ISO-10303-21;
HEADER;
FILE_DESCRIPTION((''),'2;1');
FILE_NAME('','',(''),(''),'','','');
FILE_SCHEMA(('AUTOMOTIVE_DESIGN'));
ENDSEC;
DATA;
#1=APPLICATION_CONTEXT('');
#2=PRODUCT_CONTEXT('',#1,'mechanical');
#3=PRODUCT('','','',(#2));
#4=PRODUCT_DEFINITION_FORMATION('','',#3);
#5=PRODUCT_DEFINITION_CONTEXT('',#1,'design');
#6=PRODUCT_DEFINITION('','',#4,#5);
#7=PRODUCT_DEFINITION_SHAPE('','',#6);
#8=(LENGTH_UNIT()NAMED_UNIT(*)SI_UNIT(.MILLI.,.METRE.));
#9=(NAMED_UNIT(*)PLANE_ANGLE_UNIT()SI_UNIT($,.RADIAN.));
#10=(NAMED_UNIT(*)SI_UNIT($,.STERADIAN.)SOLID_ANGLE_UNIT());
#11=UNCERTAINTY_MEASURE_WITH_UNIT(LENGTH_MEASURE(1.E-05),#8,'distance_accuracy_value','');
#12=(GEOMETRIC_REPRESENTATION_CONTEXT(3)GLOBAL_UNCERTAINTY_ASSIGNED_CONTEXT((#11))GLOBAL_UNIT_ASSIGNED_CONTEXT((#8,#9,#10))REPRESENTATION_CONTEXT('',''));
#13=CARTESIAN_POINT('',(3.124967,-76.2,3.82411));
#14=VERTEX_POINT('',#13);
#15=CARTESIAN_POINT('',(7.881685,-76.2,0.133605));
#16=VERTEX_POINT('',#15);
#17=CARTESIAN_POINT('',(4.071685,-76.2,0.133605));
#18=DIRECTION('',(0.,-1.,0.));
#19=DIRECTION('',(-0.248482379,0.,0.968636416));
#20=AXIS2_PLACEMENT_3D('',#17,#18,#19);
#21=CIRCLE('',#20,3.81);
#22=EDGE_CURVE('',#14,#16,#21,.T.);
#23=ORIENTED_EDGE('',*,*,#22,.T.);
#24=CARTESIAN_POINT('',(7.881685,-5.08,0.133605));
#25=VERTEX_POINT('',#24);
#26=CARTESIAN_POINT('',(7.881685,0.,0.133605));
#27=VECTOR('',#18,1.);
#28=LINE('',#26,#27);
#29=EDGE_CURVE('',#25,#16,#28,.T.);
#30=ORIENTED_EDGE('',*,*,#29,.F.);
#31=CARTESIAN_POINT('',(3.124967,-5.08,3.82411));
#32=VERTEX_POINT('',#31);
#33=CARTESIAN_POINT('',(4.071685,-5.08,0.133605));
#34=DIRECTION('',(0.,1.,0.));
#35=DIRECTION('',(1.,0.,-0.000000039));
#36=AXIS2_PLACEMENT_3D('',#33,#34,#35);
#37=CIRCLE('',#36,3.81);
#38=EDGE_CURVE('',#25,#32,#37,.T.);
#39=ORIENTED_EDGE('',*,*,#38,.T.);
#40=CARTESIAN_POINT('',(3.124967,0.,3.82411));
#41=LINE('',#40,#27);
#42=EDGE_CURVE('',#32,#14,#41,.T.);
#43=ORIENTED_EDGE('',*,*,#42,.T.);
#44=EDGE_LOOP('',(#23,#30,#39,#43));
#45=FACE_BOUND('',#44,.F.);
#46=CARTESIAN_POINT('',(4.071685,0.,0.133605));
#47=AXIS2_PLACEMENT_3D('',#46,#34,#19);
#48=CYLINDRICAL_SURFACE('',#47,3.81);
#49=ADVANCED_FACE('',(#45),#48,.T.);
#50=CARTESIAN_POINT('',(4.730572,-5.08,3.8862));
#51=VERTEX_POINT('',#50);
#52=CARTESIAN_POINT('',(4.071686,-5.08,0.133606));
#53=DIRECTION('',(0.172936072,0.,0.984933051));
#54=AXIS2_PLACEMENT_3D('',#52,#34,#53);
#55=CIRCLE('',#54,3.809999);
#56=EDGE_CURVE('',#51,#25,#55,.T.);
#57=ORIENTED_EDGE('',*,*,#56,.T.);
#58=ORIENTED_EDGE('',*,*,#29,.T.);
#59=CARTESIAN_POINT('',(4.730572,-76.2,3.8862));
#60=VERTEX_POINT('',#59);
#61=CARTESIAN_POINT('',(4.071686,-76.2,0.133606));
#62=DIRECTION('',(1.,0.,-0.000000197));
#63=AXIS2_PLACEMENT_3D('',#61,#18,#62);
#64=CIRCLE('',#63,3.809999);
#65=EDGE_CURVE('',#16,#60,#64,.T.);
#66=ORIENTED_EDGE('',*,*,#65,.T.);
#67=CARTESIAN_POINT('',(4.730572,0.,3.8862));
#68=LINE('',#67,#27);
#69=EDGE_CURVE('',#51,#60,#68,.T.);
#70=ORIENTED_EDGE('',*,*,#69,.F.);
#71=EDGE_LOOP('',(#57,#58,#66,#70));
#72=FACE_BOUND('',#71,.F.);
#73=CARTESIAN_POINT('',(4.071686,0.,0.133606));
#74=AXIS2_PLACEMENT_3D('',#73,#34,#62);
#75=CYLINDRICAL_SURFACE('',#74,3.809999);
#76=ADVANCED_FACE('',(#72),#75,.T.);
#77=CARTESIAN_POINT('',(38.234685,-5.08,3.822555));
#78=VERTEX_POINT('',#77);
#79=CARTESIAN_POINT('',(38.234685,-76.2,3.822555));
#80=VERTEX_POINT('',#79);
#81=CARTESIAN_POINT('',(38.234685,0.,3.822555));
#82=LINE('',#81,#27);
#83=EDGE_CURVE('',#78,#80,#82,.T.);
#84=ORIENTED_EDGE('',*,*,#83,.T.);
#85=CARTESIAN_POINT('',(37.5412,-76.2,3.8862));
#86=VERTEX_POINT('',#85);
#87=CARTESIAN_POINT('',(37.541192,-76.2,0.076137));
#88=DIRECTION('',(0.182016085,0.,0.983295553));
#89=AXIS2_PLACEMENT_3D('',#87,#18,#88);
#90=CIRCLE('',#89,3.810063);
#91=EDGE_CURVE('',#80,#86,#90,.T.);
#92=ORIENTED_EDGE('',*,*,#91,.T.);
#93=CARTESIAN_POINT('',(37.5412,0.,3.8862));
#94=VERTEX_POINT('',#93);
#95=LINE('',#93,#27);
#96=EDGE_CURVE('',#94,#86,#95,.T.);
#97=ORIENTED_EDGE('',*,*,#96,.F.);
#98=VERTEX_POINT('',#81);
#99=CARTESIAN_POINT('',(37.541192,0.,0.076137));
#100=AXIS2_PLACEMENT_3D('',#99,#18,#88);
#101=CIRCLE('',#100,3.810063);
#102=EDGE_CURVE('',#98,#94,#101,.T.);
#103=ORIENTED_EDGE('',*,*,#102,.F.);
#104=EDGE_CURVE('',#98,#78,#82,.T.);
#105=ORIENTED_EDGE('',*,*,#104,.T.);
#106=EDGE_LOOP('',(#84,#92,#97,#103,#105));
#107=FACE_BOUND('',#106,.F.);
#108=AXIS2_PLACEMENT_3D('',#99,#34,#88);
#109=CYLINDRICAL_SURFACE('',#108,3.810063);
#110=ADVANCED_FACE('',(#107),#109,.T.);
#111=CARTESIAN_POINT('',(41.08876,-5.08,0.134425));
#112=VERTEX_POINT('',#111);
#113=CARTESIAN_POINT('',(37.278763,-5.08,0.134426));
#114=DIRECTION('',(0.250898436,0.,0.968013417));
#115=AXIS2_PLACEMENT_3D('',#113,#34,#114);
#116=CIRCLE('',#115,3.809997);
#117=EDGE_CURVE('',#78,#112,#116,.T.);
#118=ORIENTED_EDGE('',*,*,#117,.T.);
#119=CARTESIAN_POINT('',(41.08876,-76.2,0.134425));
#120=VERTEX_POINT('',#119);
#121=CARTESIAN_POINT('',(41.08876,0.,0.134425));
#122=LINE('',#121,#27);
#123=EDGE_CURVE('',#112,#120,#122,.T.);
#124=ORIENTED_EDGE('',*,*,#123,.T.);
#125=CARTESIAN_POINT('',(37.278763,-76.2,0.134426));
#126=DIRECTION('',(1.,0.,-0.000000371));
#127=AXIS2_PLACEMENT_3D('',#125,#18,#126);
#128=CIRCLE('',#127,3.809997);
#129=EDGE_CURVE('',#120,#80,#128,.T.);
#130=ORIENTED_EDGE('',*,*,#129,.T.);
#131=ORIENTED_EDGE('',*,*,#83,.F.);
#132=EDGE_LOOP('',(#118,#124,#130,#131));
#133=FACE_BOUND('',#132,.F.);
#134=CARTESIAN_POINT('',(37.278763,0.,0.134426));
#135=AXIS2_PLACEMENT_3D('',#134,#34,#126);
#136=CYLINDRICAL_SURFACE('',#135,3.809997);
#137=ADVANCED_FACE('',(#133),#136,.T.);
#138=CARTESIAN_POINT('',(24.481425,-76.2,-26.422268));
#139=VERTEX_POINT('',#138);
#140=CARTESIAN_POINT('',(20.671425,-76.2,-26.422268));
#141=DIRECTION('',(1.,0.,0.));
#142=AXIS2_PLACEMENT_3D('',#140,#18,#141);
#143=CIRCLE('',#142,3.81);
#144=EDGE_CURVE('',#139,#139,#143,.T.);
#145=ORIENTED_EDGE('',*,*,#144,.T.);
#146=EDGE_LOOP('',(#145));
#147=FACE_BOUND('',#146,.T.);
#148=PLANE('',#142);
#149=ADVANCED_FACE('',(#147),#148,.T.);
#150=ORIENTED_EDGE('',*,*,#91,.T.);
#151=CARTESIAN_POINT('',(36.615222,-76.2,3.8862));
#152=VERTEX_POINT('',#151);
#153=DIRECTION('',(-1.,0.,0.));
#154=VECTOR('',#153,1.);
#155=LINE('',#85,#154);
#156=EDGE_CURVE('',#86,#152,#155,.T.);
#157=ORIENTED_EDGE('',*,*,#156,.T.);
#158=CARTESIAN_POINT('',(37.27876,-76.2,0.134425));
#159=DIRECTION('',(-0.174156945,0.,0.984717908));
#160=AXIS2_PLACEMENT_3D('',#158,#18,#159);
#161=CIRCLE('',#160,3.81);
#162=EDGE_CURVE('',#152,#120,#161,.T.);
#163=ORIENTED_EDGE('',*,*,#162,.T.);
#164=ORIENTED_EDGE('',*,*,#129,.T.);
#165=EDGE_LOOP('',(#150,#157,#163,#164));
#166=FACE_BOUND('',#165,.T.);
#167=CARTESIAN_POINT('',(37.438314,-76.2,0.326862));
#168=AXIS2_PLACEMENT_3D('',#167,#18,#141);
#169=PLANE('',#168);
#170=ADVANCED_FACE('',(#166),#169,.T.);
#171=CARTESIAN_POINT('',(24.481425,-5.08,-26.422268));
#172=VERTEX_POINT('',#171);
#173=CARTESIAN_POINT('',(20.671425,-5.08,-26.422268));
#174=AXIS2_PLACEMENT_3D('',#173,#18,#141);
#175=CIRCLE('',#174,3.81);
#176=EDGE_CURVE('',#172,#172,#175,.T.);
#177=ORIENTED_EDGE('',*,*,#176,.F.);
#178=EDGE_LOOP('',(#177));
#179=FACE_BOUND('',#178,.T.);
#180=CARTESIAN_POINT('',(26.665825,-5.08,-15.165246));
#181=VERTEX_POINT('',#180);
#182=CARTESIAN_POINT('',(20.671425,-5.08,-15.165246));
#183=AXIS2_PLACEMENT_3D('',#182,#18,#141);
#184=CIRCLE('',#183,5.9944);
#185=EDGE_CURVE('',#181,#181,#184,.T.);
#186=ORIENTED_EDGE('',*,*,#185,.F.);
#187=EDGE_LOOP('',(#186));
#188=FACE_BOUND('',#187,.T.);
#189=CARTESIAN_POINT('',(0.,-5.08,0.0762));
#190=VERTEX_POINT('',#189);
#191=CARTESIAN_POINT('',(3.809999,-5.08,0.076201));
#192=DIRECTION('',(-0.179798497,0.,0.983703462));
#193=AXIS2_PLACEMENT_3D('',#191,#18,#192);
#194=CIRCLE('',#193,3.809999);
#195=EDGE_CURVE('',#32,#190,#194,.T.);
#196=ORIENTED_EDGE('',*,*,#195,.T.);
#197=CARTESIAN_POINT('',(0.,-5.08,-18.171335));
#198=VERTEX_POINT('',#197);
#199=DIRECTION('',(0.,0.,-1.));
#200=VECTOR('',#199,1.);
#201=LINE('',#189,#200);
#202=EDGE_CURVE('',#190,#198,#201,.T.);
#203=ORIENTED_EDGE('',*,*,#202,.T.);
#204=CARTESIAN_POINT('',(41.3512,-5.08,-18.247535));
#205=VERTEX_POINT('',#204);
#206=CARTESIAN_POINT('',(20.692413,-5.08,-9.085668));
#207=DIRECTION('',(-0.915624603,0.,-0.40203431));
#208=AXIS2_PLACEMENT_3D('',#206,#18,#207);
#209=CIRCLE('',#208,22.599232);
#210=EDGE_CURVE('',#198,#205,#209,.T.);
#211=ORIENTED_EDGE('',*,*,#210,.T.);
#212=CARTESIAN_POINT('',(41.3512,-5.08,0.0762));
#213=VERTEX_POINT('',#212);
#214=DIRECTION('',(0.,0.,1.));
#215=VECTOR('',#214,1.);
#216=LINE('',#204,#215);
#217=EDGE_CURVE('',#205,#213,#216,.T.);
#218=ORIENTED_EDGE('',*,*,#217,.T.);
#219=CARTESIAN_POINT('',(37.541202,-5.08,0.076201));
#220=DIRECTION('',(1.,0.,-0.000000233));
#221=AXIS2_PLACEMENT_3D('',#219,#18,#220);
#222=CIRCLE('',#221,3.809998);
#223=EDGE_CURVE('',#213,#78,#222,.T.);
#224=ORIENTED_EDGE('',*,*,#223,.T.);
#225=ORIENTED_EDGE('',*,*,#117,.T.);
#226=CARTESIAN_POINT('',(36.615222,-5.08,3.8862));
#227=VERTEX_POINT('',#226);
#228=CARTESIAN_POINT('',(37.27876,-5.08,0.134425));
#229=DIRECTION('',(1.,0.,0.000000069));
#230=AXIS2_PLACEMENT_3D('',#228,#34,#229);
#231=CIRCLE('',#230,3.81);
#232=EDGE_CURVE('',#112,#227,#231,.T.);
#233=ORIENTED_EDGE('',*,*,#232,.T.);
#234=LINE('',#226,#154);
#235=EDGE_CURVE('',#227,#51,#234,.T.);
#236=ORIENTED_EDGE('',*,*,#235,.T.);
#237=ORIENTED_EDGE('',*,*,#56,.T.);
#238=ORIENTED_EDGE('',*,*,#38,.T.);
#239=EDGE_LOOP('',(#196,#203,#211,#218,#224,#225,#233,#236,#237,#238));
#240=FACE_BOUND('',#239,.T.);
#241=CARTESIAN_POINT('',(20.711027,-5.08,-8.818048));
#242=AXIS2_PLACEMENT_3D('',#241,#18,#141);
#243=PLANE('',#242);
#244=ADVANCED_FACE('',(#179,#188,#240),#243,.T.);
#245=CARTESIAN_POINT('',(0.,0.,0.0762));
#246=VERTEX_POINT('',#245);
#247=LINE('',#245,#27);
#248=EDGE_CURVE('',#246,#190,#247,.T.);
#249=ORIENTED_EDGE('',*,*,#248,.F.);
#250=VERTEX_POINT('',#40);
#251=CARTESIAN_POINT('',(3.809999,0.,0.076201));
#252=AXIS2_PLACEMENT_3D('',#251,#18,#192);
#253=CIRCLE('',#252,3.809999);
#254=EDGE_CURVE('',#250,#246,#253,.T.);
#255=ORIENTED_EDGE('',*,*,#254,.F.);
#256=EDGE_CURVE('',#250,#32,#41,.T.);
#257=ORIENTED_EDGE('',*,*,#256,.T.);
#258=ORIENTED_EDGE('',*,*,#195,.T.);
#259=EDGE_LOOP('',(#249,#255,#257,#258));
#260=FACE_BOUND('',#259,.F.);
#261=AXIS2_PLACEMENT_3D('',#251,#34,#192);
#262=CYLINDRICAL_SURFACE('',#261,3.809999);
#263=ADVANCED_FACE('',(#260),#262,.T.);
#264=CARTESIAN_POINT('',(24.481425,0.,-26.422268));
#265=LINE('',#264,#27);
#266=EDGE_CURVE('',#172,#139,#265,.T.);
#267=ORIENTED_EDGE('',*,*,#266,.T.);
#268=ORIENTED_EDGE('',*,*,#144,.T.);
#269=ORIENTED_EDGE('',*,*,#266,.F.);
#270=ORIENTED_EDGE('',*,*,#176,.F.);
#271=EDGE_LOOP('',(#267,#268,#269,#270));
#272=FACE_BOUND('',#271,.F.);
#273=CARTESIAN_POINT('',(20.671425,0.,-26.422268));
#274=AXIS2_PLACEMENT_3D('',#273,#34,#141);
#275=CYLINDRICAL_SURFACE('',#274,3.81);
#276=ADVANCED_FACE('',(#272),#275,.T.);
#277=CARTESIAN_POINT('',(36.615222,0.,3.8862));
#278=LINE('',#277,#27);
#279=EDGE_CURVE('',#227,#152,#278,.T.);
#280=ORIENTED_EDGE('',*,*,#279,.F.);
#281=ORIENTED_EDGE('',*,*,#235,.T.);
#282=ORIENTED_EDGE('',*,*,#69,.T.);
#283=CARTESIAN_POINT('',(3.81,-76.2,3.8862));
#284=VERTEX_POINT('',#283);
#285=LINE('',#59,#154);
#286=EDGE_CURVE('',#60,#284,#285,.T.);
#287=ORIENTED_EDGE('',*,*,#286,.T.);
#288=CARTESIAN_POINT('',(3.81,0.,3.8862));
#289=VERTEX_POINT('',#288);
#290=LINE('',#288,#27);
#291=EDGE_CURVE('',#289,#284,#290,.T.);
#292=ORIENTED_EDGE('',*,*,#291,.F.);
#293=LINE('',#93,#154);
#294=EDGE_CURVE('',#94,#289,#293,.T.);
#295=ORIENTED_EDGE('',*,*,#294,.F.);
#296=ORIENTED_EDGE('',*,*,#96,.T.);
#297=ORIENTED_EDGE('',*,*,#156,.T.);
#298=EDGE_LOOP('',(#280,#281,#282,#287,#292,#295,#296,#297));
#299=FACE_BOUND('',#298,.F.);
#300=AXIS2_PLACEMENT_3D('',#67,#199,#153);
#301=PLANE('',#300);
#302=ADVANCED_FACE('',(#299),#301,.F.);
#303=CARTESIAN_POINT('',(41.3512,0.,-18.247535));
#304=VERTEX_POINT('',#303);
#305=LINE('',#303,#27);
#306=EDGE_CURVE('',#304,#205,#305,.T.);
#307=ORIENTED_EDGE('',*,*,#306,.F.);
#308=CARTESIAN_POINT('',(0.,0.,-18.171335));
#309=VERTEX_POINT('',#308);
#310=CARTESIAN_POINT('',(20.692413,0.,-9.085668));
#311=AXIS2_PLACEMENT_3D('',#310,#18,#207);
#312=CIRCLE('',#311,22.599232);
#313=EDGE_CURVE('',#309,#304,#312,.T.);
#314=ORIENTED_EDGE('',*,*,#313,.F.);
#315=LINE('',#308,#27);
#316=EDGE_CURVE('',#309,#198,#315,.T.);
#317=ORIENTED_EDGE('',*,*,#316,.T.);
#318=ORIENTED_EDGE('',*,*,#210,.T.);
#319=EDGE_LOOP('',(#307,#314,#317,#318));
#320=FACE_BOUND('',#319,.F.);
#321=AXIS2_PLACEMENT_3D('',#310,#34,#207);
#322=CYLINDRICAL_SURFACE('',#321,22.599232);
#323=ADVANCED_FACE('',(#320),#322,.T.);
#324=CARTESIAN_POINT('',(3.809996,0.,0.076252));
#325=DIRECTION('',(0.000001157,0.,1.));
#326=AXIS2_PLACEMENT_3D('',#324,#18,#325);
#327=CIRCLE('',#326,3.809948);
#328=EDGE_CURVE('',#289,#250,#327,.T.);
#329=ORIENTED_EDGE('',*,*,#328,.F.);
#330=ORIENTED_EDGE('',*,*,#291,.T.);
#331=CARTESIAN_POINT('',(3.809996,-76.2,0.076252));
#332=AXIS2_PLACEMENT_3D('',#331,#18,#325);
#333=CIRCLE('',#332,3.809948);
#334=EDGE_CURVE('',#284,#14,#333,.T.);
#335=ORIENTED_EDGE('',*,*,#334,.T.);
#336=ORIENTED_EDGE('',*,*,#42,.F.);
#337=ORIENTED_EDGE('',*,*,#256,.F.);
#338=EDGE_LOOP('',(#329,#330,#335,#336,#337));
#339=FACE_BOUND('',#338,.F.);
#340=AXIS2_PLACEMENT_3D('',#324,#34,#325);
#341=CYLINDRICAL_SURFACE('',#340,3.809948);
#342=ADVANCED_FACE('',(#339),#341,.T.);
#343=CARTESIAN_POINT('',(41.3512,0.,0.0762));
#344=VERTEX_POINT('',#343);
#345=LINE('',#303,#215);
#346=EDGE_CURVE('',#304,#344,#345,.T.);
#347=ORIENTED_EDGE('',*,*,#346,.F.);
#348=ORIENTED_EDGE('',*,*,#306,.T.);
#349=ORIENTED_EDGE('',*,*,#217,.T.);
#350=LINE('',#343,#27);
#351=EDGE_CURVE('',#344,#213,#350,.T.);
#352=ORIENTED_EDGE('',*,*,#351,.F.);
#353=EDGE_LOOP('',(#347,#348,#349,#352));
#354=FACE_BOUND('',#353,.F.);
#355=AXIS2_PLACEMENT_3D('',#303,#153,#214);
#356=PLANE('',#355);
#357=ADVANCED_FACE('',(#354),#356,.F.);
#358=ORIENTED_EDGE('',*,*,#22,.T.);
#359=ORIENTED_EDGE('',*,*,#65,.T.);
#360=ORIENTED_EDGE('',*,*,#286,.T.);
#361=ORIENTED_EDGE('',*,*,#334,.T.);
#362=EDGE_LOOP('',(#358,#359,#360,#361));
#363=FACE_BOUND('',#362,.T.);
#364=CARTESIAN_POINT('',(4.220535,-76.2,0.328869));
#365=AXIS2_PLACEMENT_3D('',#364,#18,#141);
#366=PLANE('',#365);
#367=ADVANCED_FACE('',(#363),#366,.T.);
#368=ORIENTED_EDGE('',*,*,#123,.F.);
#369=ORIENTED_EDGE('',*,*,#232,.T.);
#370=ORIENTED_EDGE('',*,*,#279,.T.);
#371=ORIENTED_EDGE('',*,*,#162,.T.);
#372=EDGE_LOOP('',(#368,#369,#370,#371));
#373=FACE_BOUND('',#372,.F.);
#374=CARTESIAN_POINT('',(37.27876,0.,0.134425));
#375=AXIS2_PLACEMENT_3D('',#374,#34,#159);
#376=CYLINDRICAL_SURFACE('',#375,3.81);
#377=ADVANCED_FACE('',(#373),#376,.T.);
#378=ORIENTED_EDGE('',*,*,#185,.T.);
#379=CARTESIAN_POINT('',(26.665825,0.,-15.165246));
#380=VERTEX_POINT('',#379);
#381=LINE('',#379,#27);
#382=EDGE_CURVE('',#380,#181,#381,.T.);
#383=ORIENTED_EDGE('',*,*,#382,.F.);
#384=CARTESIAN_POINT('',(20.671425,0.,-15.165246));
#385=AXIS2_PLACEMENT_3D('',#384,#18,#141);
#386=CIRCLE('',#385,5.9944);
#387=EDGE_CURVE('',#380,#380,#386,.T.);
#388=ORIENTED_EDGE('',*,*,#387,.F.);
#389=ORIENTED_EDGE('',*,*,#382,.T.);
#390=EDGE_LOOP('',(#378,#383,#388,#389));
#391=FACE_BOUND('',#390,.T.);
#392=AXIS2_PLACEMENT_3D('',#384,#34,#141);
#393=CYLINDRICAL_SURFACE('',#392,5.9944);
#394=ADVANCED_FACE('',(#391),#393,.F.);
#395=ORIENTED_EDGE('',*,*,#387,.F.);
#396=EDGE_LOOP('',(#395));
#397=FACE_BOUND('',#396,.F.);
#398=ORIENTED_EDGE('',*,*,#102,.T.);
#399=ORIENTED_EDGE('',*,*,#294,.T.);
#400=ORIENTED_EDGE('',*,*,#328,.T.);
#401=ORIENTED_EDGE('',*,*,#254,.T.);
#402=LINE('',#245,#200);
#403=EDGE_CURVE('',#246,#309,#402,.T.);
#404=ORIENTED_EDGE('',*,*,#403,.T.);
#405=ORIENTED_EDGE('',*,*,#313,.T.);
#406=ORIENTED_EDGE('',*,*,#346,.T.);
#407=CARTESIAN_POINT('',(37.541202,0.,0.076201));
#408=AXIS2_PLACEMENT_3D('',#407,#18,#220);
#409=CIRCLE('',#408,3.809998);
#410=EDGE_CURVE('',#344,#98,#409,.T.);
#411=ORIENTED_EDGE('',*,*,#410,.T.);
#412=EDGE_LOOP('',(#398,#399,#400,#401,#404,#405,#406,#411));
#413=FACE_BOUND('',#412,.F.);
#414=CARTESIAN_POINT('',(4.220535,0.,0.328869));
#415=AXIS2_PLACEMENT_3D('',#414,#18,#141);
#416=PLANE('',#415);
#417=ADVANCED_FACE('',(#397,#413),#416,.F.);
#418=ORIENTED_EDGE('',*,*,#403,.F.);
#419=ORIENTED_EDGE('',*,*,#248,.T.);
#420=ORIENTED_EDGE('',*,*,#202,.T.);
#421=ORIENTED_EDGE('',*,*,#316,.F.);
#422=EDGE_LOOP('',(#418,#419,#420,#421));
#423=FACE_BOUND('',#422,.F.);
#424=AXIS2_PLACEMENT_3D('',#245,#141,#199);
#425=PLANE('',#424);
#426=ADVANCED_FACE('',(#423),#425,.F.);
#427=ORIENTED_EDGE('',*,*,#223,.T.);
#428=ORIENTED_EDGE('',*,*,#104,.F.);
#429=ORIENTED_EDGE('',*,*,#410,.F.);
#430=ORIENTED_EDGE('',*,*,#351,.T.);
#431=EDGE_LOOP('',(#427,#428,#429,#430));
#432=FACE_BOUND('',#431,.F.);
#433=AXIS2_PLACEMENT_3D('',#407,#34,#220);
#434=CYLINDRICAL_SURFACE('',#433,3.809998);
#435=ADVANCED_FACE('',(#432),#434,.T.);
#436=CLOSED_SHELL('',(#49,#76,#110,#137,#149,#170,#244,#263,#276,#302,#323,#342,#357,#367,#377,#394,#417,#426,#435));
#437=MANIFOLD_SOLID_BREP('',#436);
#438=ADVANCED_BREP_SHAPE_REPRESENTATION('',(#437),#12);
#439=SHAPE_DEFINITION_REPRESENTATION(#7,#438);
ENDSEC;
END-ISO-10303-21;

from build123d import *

# Parameters (mm, degrees)
F0_R     = 3.81
F0_R_2   = 5.9944
F1_DEPTH = 5.08
F2_DEPTH = 76.2
F3_DEPTH = 76.2


with BuildPart() as f1:
    # F0 (on Front) → F1 (new body)
    with BuildSketch(Plane.XZ):
        with BuildLine():
            Line((36.615222, 3.8862), (4.730572, 3.8862))
            ThreePointArc((4.730572, 3.8862), (6.989429, 2.583681), (7.881685, 0.133605))
            ThreePointArc((7.881685, 0.133605), (1.736186, -2.876635), (3.124967, 3.82411))
            ThreePointArc((3.124967, 3.82411), (0.883733, 2.51609), (0, 0.0762))
            Line((0, 0.0762), (0, 0))
            Line((0, 0), (0, -18.171335))
            ThreePointArc((0, -18.171335), (20.650768, -31.684862), (41.3512, -18.247535))
            Line((41.3512, -18.247535), (41.3512, 0))
            Line((41.3512, 0), (41.3512, 0.0762))
            ThreePointArc((41.3512, 0.0762), (40.470217, 2.512788), (38.234685, 3.822555))
            ThreePointArc((38.234685, 3.822555), (40.291913, 2.466165), (41.08876, 0.134425))
            ThreePointArc((41.08876, 0.134425), (34.830493, -2.784837), (36.615222, 3.8862))
        make_face()
        with Locations((20.671425, -26.422268)):
            Circle(F0_R, mode=Mode.SUBTRACT)
        with Locations((20.671425, -15.165246)):
            Circle(F0_R_2, mode=Mode.SUBTRACT)
    extrude(amount=F1_DEPTH)

    # F0 (on Front) → F2 (join)
    with BuildSketch(Plane.XZ):
        with BuildLine():
            Line((4.730572, 3.8862), (3.81, 3.8862))
            ThreePointArc((3.81, 3.8862), (3.46608, 3.870646), (3.124967, 3.82411))
            ThreePointArc((3.124967, 3.82411), (1.736186, -2.876635), (7.881685, 0.133605))
            ThreePointArc((7.881685, 0.133605), (6.989429, 2.583681), (4.730572, 3.8862))
        make_face()
        with BuildLine():
            Line((37.5412, 3.8862), (36.615222, 3.8862))
            ThreePointArc((36.615222, 3.8862), (34.830493, -2.784837), (41.08876, 0.134425))
            ThreePointArc((41.08876, 0.134425), (40.291913, 2.466165), (38.234685, 3.822555))
            ThreePointArc((38.234685, 3.822555), (37.8894, 3.870255), (37.5412, 3.8862))
        make_face()
    extrude(amount=F2_DEPTH)

    # F0 (on Front) → F3 (join)
    with BuildSketch(Plane.XZ):
        with Locations((20.671425, -26.422268)):
            Circle(F0_R)
    extrude(amount=F3_DEPTH)


solid = f1.part
